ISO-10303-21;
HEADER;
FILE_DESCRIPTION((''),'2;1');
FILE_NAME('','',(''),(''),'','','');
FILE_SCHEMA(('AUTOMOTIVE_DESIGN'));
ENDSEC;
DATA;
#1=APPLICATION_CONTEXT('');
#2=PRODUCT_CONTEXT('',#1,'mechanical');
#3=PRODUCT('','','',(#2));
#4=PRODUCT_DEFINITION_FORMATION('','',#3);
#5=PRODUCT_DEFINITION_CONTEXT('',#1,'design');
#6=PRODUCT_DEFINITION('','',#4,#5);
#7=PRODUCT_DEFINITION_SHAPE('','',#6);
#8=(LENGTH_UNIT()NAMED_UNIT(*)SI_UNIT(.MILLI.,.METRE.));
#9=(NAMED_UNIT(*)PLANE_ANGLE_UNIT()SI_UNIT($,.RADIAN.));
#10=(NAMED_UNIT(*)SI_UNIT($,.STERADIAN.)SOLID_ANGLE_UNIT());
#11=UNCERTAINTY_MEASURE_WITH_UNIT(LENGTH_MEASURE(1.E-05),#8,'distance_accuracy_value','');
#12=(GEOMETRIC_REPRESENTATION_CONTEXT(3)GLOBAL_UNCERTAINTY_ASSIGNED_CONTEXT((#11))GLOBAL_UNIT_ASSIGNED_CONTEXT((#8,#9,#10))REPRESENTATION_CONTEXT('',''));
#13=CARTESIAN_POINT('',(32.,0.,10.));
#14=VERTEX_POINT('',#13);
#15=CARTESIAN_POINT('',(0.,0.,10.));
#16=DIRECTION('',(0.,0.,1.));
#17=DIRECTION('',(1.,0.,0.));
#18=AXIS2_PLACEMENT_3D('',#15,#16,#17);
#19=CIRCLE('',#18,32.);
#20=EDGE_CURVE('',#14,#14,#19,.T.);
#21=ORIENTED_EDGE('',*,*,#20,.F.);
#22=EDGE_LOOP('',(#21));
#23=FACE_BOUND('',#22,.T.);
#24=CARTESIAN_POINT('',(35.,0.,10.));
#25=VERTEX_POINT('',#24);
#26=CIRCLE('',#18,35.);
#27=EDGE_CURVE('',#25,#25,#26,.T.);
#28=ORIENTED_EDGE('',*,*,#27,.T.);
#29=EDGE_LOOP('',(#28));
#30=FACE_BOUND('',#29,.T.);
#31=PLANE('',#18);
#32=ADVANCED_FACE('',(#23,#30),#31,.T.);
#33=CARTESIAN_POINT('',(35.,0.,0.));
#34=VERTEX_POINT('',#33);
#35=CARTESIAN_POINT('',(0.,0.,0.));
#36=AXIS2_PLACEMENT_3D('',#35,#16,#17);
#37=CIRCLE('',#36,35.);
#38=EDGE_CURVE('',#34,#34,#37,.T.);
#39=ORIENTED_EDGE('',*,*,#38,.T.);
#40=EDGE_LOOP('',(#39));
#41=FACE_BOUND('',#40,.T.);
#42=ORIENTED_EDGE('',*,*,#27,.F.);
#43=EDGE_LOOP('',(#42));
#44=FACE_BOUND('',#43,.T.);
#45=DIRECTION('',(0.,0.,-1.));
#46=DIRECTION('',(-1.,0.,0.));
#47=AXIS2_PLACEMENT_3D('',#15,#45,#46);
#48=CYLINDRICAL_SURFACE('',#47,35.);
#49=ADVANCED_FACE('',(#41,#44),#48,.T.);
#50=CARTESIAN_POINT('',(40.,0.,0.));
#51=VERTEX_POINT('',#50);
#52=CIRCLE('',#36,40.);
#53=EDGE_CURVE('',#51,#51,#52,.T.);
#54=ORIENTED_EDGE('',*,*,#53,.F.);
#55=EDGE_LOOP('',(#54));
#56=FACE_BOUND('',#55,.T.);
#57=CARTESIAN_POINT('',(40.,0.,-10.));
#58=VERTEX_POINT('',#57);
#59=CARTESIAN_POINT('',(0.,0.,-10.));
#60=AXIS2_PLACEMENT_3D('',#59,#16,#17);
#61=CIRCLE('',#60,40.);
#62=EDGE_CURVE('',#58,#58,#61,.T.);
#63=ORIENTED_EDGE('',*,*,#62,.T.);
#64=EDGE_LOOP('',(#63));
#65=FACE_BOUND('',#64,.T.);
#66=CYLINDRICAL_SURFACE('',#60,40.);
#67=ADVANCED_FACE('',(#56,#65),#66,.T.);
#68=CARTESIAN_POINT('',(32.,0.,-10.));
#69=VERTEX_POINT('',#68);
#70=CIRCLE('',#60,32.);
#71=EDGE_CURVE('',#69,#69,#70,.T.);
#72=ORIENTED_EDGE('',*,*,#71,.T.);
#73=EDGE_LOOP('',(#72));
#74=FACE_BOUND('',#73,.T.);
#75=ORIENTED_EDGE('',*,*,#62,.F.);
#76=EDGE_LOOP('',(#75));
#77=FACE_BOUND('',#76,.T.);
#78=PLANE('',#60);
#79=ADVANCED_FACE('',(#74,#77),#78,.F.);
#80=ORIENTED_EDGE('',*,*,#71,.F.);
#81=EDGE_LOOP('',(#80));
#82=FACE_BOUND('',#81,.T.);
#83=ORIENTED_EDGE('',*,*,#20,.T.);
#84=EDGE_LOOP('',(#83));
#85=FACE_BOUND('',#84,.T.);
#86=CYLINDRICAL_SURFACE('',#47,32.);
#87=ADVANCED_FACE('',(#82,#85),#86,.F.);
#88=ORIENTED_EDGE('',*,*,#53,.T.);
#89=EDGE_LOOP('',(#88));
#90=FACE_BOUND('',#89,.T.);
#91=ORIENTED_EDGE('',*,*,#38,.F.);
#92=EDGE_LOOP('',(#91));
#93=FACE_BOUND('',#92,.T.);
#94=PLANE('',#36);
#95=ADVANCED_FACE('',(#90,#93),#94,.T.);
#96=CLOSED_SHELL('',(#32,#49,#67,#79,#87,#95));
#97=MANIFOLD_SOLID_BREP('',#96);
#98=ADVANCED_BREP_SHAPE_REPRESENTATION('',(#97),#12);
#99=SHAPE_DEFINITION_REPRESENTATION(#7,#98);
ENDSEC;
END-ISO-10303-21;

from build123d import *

# Parameters (mm, degrees)
SKETCH1_R           = 35
SKETCH1_R_2         = 32
BOSS_EXTRUDE1_DEPTH = 10
SKETCH2_R           = 40
SKETCH2_R_2         = 32
BOSS_EXTRUDE2_DEPTH = 10


with BuildPart() as part:
    # Sketch1 → Boss-Extrude1 (new body)
    with BuildSketch(Plane.XY):
        Circle(SKETCH1_R)
        Circle(SKETCH1_R_2, mode=Mode.SUBTRACT)
    extrude(amount=BOSS_EXTRUDE1_DEPTH)

    # Sketch2 → Boss-Extrude2 (add)
    with BuildSketch(Plane.XY):
        Circle(SKETCH2_R)
        Circle(SKETCH2_R_2, mode=Mode.SUBTRACT)
    extrude(amount=-BOSS_EXTRUDE2_DEPTH)


solid = part.part
